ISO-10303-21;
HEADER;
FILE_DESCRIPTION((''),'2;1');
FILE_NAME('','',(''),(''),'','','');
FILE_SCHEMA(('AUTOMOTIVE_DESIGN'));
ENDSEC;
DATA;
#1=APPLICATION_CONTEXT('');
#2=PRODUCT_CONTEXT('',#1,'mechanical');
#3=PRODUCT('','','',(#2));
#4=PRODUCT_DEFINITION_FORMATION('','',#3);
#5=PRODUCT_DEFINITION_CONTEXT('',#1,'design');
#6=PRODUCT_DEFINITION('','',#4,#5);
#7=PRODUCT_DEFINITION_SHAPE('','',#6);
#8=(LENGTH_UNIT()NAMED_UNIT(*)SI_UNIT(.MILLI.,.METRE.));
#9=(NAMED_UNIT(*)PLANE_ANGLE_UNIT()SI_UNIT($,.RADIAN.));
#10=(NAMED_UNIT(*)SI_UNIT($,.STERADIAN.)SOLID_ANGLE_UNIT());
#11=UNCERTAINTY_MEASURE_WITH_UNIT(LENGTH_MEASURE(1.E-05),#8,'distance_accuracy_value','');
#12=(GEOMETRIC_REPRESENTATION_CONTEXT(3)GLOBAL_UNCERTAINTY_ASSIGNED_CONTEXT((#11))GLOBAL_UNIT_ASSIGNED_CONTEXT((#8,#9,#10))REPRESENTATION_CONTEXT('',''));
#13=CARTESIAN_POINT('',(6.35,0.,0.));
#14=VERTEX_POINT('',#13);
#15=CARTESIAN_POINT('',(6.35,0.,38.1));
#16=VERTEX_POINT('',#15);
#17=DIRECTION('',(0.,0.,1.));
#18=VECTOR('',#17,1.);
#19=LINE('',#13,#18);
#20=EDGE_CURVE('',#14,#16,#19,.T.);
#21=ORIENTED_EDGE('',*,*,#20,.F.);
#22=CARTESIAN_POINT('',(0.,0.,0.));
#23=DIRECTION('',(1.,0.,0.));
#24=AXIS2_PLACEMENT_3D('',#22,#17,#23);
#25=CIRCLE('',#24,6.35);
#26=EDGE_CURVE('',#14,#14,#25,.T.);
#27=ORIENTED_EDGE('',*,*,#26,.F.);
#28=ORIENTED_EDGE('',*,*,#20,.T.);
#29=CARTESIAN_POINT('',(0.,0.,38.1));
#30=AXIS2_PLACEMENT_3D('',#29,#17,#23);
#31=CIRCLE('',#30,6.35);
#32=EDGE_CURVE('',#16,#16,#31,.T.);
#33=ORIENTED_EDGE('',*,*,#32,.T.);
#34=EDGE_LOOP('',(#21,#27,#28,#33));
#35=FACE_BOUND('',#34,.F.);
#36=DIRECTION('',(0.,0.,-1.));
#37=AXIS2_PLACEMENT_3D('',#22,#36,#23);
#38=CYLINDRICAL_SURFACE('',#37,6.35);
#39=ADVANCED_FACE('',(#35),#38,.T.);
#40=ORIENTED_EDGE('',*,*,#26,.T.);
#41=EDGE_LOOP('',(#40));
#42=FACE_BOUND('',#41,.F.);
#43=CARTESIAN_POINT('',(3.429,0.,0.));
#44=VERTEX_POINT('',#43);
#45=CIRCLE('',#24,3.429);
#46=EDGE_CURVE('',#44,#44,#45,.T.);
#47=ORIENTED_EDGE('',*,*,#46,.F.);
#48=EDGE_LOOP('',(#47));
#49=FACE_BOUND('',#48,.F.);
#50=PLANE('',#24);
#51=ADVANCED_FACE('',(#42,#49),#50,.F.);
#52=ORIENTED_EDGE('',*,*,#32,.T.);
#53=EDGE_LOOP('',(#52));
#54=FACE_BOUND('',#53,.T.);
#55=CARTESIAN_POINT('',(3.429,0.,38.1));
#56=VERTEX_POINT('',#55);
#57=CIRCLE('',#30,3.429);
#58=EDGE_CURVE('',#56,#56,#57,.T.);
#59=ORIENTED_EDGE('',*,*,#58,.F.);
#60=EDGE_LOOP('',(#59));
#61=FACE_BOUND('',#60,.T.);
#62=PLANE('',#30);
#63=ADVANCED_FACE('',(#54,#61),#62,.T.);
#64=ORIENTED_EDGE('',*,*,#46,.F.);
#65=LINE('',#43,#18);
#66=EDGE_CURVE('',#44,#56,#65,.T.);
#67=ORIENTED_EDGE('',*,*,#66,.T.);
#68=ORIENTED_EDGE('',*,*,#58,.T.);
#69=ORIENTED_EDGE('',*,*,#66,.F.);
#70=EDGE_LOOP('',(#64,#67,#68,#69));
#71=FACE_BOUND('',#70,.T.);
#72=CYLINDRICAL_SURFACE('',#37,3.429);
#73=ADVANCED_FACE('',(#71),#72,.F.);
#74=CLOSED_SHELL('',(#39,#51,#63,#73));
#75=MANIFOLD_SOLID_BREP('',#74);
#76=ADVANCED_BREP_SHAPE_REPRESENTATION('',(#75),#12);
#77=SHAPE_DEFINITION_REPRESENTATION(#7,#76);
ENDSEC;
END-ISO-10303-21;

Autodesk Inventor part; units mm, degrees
ref_plane "YZ Plane" through (0, 0, 0) normal (1, 0, 0) x (0, 1, 0)
ref_plane "XZ Plane" through (0, 0, 0) normal (0, 1, 0) x (-1, 0, 0)
ref_plane "XY Plane" through (0, 0, 0) normal (0, 0, 1) x (1, 0, 0)
sketch "Sketch1" plane through (0, 0, 0) normal (0, 0, 1) x (1, 0, 0)
  circle A0 centre (0, 0) radius 3.429
  circle A1 centre (0, 0) radius 6.35
  dimension "d0" = 12.7
  dimension "d1" = 6.858
extrude "Extrusion1" add sketch "Sketch1" along normal blind 38.1
properties part number "Top Spacer"
